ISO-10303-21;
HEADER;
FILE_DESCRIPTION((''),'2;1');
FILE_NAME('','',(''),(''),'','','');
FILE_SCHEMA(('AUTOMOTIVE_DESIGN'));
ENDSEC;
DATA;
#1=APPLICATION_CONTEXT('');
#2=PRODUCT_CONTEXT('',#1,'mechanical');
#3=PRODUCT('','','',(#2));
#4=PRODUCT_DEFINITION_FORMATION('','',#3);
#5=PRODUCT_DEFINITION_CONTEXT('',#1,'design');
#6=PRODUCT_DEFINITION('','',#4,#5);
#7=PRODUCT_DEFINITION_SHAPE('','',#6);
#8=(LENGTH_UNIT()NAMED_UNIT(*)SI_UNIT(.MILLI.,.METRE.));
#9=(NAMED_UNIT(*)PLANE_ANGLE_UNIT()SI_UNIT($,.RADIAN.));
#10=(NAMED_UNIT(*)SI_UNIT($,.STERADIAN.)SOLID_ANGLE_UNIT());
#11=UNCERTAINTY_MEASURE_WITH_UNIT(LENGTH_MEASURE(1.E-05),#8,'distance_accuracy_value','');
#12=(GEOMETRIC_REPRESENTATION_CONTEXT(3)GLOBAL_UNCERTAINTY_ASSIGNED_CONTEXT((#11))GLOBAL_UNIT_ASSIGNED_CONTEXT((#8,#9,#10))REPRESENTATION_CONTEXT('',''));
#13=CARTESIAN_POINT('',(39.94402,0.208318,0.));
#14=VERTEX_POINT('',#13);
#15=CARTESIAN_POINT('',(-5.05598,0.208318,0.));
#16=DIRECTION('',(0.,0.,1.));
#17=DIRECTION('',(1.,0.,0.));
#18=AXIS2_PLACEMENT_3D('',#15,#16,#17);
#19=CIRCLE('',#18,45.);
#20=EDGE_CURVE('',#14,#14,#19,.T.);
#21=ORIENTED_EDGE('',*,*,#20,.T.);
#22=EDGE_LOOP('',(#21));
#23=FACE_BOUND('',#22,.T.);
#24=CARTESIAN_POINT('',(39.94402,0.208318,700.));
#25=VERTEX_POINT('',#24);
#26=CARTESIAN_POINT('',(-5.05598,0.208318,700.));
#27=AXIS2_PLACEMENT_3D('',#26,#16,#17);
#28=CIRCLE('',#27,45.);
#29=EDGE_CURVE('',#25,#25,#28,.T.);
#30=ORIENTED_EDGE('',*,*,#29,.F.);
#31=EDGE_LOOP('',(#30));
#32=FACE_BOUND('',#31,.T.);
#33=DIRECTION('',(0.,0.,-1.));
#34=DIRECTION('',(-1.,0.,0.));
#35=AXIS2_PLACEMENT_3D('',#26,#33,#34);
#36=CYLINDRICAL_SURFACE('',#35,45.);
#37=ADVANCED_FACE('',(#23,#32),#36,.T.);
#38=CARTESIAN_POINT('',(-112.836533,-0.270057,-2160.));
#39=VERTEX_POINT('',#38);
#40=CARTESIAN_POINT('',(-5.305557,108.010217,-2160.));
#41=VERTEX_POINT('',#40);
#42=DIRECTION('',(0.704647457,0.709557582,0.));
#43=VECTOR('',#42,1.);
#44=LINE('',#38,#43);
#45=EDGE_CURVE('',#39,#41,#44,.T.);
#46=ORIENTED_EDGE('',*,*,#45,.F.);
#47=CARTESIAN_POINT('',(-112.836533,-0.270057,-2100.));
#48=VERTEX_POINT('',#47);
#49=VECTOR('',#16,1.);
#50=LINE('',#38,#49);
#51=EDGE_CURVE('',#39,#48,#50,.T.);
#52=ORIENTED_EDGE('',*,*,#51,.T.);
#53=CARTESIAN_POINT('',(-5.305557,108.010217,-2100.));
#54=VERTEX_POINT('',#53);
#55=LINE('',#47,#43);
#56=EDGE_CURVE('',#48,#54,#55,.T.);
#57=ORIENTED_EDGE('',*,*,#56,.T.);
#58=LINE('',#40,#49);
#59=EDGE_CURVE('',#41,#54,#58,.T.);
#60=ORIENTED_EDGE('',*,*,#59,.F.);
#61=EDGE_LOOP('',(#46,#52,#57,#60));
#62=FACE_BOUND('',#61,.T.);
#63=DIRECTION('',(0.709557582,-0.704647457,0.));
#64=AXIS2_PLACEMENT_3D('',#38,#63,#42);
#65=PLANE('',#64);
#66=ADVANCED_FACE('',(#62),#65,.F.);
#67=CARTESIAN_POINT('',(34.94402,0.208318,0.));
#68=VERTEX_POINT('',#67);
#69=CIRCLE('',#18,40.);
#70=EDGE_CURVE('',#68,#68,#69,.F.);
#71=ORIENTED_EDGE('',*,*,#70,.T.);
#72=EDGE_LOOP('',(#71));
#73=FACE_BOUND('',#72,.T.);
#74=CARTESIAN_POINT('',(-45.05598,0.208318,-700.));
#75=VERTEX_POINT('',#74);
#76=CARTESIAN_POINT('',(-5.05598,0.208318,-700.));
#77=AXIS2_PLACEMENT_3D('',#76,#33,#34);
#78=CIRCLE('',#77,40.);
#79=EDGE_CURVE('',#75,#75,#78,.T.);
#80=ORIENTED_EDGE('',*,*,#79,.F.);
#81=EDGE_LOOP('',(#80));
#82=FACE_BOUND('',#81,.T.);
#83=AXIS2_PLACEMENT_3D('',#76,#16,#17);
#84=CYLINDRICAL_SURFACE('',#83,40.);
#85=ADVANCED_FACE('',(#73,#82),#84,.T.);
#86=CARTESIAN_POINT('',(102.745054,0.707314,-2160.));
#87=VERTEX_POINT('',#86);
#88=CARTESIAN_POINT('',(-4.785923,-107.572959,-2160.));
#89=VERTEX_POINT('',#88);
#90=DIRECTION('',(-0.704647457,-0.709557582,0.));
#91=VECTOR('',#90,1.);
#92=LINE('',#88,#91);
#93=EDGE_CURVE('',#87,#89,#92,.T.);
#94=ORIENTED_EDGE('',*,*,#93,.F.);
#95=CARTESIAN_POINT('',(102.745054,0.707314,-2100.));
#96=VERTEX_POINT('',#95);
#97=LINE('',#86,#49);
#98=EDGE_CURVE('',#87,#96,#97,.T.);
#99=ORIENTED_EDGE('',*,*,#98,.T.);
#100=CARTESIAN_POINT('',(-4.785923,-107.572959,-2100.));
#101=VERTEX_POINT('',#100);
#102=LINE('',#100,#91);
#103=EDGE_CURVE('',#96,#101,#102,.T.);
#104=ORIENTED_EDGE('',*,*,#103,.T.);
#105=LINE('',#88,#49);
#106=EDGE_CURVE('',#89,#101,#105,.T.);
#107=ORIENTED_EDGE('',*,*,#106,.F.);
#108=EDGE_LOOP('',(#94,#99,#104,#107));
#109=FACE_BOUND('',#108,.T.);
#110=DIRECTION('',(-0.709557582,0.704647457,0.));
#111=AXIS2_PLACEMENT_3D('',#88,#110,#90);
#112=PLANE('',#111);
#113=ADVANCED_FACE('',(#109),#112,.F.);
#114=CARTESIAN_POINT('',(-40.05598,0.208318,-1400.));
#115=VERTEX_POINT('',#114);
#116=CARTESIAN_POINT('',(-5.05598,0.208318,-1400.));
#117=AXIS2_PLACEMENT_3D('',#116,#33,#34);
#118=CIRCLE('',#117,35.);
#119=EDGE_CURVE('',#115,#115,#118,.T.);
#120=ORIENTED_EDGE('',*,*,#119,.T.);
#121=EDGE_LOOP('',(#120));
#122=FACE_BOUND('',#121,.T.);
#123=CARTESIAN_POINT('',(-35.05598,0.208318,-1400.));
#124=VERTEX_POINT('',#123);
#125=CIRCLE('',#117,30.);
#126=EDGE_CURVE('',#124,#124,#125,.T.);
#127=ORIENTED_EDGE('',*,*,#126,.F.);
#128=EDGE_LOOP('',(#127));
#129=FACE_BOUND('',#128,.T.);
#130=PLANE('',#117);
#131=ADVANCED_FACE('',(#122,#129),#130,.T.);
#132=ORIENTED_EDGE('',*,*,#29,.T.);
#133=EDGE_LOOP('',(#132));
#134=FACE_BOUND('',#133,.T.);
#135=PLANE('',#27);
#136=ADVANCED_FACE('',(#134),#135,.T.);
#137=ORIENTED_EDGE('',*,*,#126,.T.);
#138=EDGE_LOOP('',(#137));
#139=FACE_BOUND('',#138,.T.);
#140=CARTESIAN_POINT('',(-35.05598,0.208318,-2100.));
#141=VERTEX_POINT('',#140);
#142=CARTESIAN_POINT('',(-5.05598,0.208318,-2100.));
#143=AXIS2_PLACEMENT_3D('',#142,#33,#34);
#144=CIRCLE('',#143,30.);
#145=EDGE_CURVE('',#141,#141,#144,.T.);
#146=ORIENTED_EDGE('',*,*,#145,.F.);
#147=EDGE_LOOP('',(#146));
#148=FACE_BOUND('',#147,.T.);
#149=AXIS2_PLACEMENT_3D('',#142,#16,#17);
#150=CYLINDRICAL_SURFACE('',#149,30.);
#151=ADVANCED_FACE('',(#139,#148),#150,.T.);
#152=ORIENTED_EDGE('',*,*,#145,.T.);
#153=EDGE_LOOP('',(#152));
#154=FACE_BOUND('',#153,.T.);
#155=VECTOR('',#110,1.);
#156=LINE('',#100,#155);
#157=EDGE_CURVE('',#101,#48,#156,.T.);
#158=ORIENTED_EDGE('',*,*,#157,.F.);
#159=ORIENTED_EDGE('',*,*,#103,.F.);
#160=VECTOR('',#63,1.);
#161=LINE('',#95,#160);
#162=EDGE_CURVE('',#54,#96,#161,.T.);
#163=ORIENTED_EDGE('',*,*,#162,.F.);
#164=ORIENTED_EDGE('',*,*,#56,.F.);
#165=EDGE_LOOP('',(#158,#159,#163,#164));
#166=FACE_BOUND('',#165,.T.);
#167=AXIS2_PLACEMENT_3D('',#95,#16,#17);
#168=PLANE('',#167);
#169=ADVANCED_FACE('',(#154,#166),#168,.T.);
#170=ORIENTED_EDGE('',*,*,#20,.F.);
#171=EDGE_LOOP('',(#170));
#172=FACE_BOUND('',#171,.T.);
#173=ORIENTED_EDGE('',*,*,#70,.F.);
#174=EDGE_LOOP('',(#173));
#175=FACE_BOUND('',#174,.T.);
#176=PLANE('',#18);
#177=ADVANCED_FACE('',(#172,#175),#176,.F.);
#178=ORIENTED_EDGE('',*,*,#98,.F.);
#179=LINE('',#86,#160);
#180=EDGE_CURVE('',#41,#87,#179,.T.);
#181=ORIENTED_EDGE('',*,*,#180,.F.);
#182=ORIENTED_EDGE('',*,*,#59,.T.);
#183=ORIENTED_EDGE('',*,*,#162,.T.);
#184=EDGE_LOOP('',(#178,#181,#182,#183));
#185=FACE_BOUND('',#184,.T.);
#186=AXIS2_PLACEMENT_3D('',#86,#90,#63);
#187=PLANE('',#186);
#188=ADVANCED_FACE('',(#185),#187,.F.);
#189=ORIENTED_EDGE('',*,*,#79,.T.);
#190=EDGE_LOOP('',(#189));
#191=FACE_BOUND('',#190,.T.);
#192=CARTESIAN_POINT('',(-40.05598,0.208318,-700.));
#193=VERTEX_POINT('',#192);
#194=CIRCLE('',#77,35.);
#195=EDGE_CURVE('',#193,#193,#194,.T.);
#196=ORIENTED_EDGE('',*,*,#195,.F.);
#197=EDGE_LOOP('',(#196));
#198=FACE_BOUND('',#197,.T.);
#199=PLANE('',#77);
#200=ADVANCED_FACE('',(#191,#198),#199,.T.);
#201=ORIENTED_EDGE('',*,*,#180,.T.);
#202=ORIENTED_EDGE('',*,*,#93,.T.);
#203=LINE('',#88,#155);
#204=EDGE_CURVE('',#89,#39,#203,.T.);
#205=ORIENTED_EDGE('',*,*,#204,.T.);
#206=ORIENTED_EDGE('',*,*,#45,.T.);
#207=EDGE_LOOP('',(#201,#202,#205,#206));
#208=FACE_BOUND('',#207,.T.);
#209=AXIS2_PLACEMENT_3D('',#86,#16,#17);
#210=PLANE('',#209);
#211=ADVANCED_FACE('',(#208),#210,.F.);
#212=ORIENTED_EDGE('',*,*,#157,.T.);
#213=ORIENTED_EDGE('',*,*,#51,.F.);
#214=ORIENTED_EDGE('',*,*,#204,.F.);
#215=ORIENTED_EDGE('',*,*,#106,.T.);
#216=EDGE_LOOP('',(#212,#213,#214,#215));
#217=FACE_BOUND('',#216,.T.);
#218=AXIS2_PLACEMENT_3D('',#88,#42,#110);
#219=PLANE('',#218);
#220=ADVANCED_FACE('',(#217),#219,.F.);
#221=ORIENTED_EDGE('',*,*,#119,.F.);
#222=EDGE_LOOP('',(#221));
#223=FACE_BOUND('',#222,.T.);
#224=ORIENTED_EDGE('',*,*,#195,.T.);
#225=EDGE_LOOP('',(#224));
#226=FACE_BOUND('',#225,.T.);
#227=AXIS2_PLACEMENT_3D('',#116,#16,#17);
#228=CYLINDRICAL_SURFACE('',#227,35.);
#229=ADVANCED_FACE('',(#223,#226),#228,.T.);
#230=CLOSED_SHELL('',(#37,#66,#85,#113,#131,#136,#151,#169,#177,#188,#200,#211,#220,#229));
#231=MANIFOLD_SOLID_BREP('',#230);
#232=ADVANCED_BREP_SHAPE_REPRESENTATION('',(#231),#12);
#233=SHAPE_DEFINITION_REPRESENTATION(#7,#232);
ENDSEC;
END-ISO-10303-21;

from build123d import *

# Parameters (mm, degrees)
ESQUISSE1_R        = 45
BOSS_EXTRU_1_DEPTH = 700
ESQUISSE2_R        = 40
BOSS_EXTRU_4_DEPTH = 700
ESQUISSE3_R        = 35
BOSS_EXTRU_5_DEPTH = 700
ESQUISSE4_R        = 30
BOSS_EXTRU_6_DEPTH = 700
BOSS_EXTRU_7_DEPTH = 60


with BuildPart() as part:
    # Esquisse1 → Boss.-Extru.1 (new body)
    with BuildSketch(Plane.XY):
        with Locations((-5.0559795, 0.208317709)):
            Circle(ESQUISSE1_R)
    extrude(amount=BOSS_EXTRU_1_DEPTH)

    # Esquisse2 → Boss.-Extru.4 (add)
    with BuildSketch(Plane(origin=(0, 0, 0), x_dir=(-1, 0, 0), z_dir=(0, 0, -1))):
        with Locations(Location((5.0559795, 0.208317709, 0), (0, 0, 180))):
            Circle(ESQUISSE2_R)
    extrude(amount=BOSS_EXTRU_4_DEPTH)

    # Esquisse3 → Boss.-Extru.5 (add)
    with BuildSketch(Plane(origin=(0, 0, -700), x_dir=(-1, 0, 0), z_dir=(0, 0, -1))):
        with Locations((5.0559795, 0.208317709)):
            Circle(ESQUISSE3_R)
    extrude(amount=BOSS_EXTRU_5_DEPTH)

    # Esquisse4 → Boss.-Extru.6 (add)
    with BuildSketch(Plane(origin=(0, 0, -1400), x_dir=(-1, 0, 0), z_dir=(0, 0, -1))):
        with Locations((5.0559795, 0.208317709)):
            Circle(ESQUISSE4_R)
    extrude(amount=BOSS_EXTRU_6_DEPTH)

    # Esquisse5 → Boss.-Extru.7 (add)
    with BuildSketch(Plane(origin=(0, 0, -2100), x_dir=(-1, 0, 0), z_dir=(0, 0, -1))):
        Polygon((4.785922621, -107.572959404), (112.836533333, -0.270056879), (5.305557146, 108.010216758), (-102.745053566, 0.707314234), align=None)
    extrude(amount=BOSS_EXTRU_7_DEPTH)


solid = part.part
